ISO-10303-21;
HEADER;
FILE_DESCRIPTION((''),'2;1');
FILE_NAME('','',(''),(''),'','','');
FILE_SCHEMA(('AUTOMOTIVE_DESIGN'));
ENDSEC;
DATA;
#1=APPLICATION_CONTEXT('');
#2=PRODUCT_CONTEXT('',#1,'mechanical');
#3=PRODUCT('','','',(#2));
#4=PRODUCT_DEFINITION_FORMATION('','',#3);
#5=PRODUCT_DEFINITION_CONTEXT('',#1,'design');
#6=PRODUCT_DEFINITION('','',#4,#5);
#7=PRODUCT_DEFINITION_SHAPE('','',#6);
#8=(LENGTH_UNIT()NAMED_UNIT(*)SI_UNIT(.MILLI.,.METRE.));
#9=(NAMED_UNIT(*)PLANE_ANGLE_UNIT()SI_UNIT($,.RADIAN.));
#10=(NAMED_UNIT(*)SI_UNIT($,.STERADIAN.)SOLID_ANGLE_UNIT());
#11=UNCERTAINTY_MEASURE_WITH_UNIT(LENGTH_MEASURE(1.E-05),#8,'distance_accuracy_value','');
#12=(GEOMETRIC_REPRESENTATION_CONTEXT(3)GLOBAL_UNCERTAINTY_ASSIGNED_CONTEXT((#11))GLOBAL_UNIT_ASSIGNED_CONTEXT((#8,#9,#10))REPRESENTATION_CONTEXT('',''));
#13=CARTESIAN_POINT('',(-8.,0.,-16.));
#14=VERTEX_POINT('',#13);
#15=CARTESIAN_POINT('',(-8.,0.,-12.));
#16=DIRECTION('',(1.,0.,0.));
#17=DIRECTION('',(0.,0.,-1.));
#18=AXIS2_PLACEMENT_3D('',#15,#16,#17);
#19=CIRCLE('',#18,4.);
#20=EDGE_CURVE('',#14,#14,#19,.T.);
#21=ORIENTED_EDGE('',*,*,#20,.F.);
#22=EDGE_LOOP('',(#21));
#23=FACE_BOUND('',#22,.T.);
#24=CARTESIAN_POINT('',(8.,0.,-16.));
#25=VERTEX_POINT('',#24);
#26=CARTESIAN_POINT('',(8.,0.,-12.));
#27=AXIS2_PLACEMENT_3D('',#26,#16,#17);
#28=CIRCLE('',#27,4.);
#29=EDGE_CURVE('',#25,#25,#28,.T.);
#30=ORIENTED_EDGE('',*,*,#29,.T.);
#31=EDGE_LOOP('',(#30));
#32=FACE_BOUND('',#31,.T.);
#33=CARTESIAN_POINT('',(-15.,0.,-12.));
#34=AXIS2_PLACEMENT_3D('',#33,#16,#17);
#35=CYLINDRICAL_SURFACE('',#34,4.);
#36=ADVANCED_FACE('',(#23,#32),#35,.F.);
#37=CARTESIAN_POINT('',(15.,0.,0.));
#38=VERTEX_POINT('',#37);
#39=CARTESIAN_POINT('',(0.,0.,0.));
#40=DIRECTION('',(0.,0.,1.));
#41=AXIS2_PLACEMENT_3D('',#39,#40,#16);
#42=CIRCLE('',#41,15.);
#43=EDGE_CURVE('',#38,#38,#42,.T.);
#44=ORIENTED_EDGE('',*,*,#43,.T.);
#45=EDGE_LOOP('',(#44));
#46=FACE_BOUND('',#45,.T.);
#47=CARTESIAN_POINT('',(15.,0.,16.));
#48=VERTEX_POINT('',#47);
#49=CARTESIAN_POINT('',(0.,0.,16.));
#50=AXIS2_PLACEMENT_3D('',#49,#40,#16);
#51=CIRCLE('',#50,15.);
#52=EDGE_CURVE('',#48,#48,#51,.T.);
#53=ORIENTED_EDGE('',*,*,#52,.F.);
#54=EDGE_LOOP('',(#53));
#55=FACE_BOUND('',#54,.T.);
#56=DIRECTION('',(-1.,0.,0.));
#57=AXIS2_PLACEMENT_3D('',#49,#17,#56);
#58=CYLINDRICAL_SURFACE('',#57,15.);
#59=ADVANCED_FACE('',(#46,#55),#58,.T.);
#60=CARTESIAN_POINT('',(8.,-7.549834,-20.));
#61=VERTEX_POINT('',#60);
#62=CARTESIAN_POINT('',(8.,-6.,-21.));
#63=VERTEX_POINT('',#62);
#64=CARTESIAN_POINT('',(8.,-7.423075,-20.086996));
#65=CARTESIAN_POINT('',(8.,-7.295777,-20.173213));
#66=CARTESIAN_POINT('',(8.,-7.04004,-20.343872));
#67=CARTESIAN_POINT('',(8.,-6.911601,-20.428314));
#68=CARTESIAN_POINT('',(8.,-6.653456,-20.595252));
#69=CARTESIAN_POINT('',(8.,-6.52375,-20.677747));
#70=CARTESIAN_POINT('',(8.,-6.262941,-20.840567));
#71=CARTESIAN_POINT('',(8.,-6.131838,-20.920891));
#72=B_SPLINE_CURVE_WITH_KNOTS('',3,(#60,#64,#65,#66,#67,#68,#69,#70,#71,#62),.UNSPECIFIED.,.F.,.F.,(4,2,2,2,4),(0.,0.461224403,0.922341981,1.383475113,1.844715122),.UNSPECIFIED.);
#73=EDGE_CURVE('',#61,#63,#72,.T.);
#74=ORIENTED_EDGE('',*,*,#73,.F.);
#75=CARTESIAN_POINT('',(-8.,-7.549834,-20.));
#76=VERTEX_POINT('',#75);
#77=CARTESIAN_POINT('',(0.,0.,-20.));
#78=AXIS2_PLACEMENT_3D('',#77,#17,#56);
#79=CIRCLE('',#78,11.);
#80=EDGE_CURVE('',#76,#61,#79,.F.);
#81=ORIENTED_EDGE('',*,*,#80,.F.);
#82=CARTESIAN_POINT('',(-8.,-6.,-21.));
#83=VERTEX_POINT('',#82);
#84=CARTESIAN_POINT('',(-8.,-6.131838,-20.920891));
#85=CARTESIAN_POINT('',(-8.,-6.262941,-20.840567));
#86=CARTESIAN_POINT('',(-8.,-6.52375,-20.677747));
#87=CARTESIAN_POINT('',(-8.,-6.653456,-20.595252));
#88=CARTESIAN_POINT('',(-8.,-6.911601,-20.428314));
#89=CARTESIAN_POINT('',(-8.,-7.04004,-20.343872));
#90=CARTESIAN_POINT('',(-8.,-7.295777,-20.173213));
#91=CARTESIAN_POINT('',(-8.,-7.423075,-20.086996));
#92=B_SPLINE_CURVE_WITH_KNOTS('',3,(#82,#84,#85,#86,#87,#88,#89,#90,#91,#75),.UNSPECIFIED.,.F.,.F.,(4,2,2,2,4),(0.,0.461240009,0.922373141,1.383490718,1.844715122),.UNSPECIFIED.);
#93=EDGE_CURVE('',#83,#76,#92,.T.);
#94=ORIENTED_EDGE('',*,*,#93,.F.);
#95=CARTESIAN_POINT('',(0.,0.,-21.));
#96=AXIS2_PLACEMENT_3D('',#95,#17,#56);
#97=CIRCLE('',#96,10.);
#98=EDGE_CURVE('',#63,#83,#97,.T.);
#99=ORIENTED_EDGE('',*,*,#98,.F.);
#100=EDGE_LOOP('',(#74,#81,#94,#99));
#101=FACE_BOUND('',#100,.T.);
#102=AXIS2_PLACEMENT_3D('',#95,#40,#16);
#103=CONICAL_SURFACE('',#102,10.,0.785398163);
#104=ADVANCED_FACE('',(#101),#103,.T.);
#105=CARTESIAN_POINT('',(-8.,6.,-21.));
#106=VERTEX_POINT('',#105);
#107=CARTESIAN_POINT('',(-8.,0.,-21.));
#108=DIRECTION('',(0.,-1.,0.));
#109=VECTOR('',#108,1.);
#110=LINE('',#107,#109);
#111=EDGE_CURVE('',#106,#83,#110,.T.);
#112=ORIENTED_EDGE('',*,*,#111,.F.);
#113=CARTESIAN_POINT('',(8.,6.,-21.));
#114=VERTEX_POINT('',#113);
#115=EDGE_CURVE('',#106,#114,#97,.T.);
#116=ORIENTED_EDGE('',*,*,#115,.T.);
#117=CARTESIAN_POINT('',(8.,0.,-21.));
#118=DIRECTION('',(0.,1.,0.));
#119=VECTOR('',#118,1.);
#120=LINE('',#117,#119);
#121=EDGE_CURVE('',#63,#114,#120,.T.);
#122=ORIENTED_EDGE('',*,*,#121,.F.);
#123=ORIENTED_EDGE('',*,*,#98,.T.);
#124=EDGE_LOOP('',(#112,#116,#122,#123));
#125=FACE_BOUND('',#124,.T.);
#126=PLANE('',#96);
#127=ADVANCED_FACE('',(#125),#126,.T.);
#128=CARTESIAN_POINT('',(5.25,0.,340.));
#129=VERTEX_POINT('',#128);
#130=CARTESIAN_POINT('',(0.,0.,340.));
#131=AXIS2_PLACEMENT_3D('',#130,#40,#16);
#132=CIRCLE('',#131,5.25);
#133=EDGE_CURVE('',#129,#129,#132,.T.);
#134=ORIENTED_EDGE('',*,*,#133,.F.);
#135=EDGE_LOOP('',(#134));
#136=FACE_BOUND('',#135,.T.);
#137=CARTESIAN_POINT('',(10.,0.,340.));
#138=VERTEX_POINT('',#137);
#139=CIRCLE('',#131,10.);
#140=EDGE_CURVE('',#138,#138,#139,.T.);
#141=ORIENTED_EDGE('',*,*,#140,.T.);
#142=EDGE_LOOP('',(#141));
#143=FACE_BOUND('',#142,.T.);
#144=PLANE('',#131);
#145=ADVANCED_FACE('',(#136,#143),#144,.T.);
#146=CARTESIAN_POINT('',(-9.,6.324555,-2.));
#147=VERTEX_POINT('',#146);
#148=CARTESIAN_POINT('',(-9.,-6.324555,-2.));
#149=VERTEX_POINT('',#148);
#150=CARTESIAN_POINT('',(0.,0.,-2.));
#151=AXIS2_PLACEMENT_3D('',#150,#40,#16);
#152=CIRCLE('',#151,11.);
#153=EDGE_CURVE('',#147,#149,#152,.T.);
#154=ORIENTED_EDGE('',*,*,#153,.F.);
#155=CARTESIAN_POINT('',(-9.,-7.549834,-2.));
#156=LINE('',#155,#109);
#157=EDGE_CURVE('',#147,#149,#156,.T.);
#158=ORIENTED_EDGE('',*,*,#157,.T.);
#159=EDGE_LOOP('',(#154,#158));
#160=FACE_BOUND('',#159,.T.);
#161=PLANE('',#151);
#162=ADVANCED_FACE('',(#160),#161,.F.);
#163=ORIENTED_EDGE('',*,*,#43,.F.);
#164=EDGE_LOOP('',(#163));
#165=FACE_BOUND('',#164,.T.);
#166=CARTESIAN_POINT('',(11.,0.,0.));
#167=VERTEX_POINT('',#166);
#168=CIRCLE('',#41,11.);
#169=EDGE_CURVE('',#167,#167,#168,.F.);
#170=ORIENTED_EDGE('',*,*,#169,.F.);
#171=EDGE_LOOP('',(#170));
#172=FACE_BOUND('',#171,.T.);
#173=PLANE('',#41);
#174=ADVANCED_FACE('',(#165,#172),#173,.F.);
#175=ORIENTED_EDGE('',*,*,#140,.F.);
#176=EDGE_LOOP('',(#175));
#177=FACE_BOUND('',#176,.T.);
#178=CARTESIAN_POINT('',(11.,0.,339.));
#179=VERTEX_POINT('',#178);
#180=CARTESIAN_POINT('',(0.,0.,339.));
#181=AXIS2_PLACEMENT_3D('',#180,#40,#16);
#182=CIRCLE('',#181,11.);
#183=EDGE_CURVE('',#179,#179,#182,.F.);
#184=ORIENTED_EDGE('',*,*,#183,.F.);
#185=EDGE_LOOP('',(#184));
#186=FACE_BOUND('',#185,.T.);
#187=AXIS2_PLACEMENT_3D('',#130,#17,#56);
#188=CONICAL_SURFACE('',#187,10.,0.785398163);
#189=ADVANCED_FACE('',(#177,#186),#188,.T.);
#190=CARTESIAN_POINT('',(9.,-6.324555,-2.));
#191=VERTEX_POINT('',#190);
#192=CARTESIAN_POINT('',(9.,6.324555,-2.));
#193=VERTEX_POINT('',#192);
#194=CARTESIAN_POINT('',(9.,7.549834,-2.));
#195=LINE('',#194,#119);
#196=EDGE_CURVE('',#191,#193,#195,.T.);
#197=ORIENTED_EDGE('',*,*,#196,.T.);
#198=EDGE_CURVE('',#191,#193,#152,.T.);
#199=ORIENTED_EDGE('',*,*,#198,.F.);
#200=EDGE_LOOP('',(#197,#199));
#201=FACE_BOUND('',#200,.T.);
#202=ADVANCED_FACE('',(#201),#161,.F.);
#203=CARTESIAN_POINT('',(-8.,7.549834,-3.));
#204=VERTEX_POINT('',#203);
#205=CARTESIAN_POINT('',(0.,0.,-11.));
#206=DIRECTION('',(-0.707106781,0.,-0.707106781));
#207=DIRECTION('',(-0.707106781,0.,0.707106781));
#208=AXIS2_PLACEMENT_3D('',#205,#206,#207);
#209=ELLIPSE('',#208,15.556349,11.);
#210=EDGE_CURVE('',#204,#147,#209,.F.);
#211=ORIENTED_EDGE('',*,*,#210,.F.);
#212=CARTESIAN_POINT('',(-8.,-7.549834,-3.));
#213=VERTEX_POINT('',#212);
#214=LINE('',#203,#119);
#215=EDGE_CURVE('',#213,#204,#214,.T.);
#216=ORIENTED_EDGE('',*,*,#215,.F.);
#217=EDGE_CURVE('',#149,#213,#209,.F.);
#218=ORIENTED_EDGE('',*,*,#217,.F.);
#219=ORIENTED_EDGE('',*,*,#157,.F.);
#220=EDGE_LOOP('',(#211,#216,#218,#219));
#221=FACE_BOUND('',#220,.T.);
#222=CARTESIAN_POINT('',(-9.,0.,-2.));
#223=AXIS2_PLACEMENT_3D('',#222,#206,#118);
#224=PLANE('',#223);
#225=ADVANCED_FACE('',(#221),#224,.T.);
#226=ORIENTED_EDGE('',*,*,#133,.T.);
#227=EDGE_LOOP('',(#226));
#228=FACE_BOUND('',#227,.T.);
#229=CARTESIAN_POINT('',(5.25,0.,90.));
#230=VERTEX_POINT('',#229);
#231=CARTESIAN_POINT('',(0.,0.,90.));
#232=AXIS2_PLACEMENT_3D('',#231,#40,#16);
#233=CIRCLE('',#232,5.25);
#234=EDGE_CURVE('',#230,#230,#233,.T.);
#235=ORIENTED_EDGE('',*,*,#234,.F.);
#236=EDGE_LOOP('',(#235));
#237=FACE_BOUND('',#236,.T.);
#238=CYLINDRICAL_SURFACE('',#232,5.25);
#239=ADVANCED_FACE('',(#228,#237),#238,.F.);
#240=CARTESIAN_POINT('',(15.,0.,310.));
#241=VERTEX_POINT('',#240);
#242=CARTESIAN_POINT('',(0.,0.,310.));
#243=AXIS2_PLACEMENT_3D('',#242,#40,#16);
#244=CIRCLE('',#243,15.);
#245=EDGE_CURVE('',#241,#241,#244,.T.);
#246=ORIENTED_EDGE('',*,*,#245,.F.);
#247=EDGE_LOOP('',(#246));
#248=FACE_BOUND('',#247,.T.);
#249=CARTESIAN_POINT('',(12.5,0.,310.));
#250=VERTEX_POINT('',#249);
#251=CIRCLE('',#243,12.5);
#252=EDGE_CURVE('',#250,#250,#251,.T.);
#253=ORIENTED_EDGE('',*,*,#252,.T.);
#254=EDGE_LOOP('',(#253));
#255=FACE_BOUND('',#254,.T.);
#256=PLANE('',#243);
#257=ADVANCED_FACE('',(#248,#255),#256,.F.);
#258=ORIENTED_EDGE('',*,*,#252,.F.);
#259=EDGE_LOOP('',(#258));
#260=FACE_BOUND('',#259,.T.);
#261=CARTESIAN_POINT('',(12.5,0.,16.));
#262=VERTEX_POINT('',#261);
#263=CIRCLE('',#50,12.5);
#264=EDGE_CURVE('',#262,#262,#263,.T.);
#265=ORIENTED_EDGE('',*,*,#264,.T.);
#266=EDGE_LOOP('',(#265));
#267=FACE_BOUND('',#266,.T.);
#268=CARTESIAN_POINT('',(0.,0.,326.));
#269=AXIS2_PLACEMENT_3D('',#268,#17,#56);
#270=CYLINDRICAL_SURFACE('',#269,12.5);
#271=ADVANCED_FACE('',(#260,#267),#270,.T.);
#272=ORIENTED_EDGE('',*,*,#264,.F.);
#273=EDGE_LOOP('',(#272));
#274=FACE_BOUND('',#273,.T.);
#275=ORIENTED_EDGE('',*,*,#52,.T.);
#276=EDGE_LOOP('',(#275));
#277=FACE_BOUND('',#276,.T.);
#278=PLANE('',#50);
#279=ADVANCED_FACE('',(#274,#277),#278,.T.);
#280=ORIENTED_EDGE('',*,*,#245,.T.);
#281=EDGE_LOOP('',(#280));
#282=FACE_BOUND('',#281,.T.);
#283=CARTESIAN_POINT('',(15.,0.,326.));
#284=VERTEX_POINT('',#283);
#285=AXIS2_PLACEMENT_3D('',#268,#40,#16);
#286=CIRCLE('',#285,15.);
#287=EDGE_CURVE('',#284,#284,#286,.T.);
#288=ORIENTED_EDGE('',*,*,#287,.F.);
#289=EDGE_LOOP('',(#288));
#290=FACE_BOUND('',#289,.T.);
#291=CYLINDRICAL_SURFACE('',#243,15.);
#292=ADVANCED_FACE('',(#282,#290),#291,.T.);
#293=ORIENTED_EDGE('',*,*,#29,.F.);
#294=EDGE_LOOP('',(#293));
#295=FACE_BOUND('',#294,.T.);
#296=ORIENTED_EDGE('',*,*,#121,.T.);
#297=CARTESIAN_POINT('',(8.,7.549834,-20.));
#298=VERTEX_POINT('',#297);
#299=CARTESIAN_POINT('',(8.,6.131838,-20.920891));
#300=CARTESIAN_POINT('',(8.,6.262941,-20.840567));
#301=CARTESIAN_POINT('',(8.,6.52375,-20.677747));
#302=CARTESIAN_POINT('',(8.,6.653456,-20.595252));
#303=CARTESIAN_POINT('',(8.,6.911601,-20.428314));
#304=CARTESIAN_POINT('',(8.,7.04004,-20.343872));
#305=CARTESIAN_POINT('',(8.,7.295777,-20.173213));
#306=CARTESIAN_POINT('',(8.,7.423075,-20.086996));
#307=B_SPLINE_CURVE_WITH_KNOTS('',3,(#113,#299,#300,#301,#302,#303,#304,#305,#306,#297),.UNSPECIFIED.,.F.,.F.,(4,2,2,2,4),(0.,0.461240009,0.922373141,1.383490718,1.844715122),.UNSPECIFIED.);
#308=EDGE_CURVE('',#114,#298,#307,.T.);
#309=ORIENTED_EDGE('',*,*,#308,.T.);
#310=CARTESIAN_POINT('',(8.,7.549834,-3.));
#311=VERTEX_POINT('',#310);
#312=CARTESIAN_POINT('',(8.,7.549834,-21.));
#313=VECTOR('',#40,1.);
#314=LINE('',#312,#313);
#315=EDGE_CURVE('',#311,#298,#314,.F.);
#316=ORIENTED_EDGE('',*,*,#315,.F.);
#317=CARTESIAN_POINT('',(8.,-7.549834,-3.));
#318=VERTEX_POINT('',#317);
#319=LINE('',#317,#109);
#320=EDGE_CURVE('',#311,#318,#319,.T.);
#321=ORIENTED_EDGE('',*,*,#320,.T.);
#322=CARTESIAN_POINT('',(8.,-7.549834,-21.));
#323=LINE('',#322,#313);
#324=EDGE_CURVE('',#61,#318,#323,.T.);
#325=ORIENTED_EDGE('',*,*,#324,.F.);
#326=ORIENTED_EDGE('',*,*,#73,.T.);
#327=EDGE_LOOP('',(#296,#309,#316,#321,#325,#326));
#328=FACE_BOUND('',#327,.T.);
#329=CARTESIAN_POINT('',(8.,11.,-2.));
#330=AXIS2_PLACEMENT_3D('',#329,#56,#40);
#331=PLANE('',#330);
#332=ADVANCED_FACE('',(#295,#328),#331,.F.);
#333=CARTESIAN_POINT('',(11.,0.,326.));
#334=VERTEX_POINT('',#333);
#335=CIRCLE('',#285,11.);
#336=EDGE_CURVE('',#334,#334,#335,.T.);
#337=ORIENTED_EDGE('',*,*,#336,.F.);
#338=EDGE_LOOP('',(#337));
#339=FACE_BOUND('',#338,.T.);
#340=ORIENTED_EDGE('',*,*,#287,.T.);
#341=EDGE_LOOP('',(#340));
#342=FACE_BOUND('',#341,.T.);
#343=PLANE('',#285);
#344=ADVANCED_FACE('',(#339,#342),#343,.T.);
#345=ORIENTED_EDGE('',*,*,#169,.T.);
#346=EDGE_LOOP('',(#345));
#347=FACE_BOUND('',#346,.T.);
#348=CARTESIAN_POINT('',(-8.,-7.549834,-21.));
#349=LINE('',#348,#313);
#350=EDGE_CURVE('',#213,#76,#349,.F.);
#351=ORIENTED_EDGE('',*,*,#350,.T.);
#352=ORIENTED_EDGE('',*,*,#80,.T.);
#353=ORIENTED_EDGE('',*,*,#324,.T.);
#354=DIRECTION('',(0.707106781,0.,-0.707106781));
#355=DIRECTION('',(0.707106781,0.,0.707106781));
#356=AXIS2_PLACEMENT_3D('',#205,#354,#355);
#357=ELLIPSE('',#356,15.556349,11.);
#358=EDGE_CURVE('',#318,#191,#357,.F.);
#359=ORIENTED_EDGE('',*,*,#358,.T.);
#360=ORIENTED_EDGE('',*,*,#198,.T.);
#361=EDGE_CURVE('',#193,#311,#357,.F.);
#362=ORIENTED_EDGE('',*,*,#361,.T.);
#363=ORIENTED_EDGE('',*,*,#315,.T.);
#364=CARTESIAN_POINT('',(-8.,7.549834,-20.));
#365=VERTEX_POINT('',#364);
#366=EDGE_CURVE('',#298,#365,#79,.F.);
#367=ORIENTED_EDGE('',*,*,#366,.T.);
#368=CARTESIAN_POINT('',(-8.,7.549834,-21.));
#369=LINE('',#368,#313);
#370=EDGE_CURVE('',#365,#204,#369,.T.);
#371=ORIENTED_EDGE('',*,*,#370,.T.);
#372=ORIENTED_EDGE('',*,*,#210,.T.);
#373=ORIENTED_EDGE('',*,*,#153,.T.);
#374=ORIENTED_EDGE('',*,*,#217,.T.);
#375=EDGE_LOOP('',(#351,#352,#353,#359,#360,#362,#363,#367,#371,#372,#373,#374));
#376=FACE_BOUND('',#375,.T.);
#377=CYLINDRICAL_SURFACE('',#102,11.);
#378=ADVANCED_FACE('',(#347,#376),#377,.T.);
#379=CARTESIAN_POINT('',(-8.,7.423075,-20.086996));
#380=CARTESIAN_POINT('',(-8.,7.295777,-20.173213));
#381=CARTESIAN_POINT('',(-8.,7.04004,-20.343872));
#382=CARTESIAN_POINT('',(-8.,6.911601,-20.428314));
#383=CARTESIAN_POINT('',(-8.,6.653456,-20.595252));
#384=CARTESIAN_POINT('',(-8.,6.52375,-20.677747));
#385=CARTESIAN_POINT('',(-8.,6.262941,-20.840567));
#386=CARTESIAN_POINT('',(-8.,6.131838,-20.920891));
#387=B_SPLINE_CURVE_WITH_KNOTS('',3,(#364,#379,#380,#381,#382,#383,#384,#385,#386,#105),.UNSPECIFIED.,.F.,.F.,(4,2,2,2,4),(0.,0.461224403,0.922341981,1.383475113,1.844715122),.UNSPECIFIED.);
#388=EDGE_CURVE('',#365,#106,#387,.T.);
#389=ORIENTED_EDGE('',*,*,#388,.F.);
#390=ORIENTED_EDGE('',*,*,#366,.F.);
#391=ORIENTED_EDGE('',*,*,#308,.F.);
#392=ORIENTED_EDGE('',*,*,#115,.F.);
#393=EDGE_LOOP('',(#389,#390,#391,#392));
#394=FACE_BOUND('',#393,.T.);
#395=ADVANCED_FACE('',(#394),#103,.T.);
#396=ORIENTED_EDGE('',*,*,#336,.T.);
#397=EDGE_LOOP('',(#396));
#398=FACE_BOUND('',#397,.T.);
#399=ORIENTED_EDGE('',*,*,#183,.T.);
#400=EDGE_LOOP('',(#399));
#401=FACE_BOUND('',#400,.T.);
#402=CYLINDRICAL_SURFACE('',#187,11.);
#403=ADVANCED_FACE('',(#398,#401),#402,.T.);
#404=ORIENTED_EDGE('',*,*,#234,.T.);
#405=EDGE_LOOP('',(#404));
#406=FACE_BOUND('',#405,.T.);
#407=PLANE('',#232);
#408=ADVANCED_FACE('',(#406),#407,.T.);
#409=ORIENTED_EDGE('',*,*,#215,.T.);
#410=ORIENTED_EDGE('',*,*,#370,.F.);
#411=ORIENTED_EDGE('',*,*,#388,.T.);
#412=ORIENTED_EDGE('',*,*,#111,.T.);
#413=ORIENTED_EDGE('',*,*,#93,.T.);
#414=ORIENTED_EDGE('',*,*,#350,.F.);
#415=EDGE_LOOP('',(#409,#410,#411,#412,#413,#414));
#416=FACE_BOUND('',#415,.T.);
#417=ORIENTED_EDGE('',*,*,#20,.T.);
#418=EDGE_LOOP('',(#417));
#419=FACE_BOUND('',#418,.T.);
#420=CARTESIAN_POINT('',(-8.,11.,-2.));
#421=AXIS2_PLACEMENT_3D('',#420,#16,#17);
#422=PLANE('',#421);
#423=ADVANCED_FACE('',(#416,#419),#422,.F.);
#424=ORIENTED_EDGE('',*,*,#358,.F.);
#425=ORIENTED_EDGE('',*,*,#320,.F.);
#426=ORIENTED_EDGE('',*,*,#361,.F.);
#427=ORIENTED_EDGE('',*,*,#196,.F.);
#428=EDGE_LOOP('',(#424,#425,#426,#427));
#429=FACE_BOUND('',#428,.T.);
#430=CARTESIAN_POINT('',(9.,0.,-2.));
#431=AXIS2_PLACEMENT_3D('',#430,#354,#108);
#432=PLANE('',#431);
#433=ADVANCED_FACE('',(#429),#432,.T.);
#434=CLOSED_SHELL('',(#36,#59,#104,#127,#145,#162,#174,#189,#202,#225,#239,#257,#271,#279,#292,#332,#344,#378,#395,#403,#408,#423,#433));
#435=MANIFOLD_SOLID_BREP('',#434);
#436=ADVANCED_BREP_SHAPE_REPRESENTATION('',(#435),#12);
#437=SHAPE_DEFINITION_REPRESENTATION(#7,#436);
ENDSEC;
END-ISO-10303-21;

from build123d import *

# Parameters (mm, degrees)
ESQUISSE1_R             = 12.5
BOSS_EXTRU_1_DEPTH      = 326
ESQUISSE2_R             = 15
BOSS_EXTRU_2_DEPTH      = 16
BOSS_EXTRU_4_START      = -310
ESQUISSE2_2_R           = 15
BOSS_EXTRU_4_DEPTH      = 16
ESQUISSE3_R             = 11
BOSS_EXTRU_5_DEPTH      = 21
ESQUISSE4_W             = 5
ESQUISSE4_H             = 22
ENL_V_MAT_EXTRU_1_DEPTH = 19
ESQUISSE5_R             = 4
ENL_V_MAT_EXTRU_2_DEPTH = 328.1543978
BOSS_EXTRU_6_START      = 14
ESQUISSE6_R             = 11
BOSS_EXTRU_6_DEPTH      = 14
CHANFREIN1_SIZE         = 1
ESQUISSE7_R             = 5.25
ENL_V_MAT_EXTRU_3_DEPTH = 250


with BuildPart() as part:
    # Esquisse1 → Boss.-Extru.1 (new body)
    with BuildSketch(Plane.XY):
        Circle(ESQUISSE1_R)
    extrude(amount=BOSS_EXTRU_1_DEPTH)

    # Esquisse2 → Boss.-Extru.2 (add)
    with BuildSketch(Plane.XY.offset(326)):
        Circle(ESQUISSE2_R)
    extrude(amount=-BOSS_EXTRU_2_DEPTH)

    # Esquisse2<2> → Boss.-Extru.4 (add)
    with BuildSketch(Plane.XY.offset(326).offset(BOSS_EXTRU_4_START)):
        Circle(ESQUISSE2_2_R)
    extrude(amount=-BOSS_EXTRU_4_DEPTH)

    # Esquisse3 → Boss.-Extru.5 (add)
    with BuildSketch(Plane(origin=(0, 0, 0), x_dir=(-1, 0, 0), z_dir=(0, 0, -1))):
        Circle(ESQUISSE3_R)
    extrude(amount=BOSS_EXTRU_5_DEPTH)

    # Esquisse4 → Enlèv. mat.-Extru.1 (cut)
    with BuildSketch(Plane(origin=(0, 0, -21), x_dir=(-1, 0, 0), z_dir=(0, 0, -1))):
        with Locations((-10.5, 0)):
            Rectangle(ESQUISSE4_W, ESQUISSE4_H)
        with Locations((10.5, 0)):
            Rectangle(ESQUISSE4_W, ESQUISSE4_H)
    extrude(amount=-ENL_V_MAT_EXTRU_1_DEPTH, mode=Mode.SUBTRACT)

    # Esquisse5 → Enlèv. mat.-Extru.2 (cut, through all)
    with BuildSketch(Plane(origin=(8, 0, 0), x_dir=(0, 0, -1), z_dir=(1, 0, 0))):
        with Locations((12, 0)):
            Circle(ESQUISSE5_R)
    extrude(amount=-ENL_V_MAT_EXTRU_2_DEPTH, mode=Mode.SUBTRACT)

    # Esquisse6 → Boss.-Extru.6 (add)
    with BuildSketch(Plane.XY.offset(326).offset(BOSS_EXTRU_6_START)):
        Circle(ESQUISSE6_R)
    extrude(amount=-BOSS_EXTRU_6_DEPTH)

    # Chanfrein1
    chanfrein1_edges = [part.edges().sort_by_distance(p)[0] for p in [
        (-8, 0, -2),
        (8, 0, -2),
        (0, -11, -21),
        (0, 11, -21),
        (-11, 0, 340),
    ]]
    chamfer(chanfrein1_edges, length=CHANFREIN1_SIZE)

    # Esquisse7 → Enlèv. mat.-Extru.3 (cut)
    with BuildSketch(Plane.XY.offset(340)):
        Circle(ESQUISSE7_R)
    extrude(amount=-ENL_V_MAT_EXTRU_3_DEPTH, mode=Mode.SUBTRACT)


solid = part.part
